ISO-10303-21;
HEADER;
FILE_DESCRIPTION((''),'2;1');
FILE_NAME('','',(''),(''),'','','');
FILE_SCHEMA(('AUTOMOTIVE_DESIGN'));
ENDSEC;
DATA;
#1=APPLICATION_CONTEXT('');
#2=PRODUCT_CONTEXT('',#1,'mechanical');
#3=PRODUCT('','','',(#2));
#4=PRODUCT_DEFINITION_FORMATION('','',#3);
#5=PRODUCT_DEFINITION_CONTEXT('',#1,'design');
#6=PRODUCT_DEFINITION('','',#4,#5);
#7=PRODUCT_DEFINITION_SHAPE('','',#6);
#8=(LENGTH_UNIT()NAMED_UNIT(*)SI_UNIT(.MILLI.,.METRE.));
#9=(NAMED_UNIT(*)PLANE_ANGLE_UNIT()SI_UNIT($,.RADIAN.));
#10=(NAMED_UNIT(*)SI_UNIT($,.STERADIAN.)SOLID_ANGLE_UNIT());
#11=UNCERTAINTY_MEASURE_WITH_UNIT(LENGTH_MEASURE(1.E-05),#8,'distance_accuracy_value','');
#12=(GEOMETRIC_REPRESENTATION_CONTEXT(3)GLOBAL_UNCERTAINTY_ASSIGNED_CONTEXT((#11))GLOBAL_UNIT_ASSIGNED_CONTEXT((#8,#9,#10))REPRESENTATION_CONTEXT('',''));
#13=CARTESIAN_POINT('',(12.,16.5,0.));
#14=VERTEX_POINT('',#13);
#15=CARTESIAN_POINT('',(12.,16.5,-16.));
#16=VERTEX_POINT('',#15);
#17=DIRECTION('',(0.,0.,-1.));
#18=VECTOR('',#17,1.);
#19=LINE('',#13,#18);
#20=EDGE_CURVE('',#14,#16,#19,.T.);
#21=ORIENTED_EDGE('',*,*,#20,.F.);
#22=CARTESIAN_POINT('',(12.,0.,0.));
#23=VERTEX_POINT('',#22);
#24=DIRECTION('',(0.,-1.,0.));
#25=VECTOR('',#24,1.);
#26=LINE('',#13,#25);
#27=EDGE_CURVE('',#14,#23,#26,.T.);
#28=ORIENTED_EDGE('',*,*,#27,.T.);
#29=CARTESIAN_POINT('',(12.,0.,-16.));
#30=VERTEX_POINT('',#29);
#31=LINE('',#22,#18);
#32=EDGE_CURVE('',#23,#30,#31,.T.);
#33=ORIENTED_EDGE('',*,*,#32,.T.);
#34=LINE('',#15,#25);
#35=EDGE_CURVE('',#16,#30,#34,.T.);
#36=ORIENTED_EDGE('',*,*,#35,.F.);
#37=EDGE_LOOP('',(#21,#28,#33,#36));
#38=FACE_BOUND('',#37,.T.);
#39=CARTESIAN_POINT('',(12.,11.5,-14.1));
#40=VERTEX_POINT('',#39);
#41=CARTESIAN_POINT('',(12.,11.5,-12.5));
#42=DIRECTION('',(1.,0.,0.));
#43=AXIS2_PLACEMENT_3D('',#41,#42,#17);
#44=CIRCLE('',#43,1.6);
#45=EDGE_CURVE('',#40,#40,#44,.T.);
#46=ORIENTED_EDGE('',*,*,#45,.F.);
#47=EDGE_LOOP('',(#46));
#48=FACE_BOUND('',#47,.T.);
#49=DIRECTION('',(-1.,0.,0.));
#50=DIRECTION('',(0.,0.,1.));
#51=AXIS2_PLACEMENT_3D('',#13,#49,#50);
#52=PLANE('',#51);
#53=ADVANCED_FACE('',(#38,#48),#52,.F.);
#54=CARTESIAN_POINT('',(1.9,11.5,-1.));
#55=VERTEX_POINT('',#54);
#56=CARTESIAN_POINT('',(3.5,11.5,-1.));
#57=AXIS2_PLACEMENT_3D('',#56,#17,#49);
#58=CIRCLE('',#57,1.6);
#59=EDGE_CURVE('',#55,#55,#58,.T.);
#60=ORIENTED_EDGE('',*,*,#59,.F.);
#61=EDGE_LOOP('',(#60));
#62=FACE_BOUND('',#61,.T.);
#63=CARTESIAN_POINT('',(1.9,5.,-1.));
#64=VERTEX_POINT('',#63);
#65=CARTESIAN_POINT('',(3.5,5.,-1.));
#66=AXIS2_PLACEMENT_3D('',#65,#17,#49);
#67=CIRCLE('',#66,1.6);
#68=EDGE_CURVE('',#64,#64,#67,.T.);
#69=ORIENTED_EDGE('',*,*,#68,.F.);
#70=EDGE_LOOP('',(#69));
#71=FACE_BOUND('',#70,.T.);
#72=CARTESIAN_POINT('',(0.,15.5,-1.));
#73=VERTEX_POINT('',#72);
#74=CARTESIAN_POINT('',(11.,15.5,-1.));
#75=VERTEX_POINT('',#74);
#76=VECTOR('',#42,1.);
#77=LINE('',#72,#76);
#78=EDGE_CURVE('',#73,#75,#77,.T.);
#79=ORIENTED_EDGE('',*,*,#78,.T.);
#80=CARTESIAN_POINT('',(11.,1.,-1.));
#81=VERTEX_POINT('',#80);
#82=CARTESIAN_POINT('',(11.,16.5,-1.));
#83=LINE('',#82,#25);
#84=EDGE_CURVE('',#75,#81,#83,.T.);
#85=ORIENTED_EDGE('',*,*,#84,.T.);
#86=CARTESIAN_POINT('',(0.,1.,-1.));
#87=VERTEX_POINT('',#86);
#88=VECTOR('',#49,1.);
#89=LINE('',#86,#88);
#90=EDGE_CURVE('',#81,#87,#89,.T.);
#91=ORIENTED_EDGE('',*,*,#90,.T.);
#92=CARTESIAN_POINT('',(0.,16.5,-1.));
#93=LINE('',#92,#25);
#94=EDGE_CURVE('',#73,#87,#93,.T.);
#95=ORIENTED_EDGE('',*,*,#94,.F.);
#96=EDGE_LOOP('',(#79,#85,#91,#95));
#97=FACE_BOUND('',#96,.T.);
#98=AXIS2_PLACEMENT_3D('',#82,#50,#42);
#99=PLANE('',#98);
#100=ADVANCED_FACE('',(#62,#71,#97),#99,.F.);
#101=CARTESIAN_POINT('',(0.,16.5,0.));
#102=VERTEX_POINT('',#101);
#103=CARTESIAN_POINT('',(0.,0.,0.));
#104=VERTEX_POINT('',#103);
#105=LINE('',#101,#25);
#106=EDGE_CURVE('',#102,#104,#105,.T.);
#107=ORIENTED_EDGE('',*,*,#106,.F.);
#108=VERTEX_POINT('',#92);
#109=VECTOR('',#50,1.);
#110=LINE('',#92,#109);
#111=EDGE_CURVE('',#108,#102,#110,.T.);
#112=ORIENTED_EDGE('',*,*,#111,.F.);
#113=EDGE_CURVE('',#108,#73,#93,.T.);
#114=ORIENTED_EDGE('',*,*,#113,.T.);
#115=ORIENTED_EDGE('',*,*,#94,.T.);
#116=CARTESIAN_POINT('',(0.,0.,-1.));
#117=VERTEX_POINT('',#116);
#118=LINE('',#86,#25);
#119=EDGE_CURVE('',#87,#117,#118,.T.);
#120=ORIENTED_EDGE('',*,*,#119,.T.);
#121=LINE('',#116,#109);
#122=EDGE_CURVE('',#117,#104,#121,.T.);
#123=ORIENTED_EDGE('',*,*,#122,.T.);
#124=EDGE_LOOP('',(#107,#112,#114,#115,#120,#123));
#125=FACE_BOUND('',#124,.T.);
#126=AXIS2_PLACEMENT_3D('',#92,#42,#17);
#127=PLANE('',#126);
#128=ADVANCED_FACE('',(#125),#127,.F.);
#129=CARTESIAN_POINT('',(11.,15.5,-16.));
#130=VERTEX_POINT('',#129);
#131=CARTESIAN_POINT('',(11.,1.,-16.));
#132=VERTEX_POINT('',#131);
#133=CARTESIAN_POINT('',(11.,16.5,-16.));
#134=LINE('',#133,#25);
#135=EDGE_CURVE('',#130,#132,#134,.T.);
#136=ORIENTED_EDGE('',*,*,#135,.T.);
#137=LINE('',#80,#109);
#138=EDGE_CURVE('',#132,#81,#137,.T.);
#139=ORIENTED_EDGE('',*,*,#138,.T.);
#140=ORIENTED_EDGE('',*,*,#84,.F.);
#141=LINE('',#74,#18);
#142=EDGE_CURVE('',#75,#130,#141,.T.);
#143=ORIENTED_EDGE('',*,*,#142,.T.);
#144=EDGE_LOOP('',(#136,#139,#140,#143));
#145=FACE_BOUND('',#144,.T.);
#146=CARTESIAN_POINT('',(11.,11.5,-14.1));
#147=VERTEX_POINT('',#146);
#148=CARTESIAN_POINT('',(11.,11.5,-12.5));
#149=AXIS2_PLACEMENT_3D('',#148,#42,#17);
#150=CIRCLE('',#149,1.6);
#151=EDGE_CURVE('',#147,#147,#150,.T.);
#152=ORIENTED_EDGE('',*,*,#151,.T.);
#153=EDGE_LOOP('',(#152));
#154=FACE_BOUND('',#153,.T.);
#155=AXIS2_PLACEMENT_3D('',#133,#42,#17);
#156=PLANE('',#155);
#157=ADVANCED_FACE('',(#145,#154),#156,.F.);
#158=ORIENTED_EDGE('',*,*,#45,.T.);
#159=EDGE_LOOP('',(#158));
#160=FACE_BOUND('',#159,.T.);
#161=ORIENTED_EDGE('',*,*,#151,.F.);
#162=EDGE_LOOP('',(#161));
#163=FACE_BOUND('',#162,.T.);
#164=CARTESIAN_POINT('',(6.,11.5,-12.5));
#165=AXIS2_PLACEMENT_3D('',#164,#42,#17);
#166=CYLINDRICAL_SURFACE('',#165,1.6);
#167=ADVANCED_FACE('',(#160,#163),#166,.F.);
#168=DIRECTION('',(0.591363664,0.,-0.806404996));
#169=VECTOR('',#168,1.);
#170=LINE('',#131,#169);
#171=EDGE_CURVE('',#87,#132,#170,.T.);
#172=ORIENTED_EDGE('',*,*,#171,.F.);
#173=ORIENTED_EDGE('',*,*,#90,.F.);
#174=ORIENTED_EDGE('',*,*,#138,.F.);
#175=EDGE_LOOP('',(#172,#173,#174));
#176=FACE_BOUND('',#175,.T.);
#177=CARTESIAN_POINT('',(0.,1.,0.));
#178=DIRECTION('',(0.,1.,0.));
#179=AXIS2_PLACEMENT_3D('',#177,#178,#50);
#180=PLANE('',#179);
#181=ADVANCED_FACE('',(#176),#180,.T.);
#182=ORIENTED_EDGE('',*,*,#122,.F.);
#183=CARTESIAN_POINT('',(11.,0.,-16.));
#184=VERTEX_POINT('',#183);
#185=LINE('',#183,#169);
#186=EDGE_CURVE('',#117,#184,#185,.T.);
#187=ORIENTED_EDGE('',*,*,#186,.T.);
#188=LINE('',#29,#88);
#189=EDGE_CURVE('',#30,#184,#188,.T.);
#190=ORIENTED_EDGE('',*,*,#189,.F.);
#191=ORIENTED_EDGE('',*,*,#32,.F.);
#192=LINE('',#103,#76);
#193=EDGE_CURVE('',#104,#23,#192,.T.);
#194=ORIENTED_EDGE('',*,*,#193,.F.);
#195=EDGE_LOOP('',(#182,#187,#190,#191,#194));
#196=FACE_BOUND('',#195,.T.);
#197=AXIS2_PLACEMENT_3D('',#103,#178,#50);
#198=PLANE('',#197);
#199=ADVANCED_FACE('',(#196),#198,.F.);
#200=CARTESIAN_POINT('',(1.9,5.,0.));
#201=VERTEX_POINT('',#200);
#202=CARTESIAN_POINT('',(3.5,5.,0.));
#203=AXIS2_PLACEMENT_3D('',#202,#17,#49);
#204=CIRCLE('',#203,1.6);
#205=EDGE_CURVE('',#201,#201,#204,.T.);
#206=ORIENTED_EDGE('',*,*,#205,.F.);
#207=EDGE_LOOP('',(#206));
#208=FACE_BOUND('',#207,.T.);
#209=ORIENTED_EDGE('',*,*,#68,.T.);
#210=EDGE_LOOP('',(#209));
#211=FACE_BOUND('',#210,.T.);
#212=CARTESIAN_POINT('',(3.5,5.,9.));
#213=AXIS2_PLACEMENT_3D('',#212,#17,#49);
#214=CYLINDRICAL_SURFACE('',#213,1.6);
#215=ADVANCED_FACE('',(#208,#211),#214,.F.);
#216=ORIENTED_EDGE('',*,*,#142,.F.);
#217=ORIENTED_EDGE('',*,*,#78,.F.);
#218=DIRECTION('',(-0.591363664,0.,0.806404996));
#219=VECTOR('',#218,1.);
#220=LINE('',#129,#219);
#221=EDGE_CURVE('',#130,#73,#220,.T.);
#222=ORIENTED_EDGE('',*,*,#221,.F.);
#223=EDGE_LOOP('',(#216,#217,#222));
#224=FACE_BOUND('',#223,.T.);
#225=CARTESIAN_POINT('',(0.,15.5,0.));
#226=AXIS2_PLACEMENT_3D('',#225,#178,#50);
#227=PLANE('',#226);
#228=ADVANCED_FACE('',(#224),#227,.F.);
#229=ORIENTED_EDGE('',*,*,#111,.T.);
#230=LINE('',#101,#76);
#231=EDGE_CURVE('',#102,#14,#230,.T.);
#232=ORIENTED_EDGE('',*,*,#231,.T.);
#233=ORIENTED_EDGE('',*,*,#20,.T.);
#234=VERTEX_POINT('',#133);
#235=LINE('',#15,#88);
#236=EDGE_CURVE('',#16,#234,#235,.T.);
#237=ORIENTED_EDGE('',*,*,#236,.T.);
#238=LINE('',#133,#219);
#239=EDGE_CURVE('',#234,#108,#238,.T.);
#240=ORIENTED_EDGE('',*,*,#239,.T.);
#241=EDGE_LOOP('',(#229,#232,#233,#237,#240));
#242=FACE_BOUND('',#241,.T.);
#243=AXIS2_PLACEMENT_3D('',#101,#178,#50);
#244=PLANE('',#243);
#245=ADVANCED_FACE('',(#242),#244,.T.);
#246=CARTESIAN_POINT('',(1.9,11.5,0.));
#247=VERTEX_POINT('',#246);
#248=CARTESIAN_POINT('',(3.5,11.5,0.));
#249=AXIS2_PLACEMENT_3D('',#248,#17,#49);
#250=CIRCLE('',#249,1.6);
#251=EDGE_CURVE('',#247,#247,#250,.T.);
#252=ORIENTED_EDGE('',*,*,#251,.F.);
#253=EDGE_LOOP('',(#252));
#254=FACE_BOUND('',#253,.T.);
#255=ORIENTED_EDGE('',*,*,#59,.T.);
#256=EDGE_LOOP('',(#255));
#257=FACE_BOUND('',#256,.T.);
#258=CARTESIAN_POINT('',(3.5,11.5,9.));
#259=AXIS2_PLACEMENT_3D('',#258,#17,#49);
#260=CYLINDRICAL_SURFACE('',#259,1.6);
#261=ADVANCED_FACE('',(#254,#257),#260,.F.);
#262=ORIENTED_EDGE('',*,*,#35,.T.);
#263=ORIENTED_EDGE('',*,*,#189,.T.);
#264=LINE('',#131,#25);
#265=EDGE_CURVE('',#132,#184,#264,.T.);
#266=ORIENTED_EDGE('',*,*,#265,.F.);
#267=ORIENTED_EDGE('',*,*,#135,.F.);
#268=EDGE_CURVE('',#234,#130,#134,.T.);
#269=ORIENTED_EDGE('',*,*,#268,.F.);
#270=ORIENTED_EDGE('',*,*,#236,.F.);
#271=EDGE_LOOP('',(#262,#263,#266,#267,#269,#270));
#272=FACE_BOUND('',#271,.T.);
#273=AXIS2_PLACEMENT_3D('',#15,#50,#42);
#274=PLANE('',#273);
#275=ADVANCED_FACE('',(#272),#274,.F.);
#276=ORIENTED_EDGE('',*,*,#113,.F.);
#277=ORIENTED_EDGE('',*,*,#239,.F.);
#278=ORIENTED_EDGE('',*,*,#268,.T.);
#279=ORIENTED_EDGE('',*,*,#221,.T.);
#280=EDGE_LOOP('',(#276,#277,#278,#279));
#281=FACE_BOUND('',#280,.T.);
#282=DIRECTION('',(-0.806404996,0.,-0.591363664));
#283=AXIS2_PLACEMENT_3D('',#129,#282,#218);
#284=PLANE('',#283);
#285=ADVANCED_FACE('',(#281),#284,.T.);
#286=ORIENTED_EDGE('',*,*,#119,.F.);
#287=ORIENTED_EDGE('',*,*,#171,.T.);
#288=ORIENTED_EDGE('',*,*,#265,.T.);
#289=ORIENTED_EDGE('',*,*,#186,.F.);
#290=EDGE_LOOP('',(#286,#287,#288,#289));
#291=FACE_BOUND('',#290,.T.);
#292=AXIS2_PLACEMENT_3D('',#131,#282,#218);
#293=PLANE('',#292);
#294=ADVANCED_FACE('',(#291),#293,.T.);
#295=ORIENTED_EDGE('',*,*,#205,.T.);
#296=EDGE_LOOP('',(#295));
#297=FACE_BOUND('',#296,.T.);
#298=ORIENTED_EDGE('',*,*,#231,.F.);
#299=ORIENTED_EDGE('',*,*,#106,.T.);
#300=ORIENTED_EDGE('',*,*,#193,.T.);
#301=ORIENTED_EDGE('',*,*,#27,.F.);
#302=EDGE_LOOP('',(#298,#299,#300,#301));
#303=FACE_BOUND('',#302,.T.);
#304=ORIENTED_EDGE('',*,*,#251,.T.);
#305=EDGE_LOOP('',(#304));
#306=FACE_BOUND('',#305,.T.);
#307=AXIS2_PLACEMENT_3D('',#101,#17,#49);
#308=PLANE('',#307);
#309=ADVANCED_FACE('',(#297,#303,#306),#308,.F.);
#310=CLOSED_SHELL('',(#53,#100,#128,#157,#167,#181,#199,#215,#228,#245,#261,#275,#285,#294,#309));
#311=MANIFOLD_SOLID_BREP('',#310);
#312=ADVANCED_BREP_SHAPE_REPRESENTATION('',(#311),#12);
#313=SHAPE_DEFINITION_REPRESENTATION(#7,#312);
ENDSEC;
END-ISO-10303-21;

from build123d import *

# Parameters (mm, degrees)
EXTRUDE_1_DEPTH     = 16.5
SKETCH_2_R          = 1.6
CUT_EXTRUDE_1_DEPTH = 6
SKETCH_3_R          = 1.6
CUT_EXTRUDE_2_DEPTH = 10
EXTRUDE_2_DEPTH     = 1
EXTRUDE_3_DEPTH     = 1


with BuildPart() as part:
    # 草图1 → 凸台-拉伸1 (new body)
    with BuildSketch(Plane(origin=(0, 0, 0), x_dir=(1, 0, 0), z_dir=(0, 1, 0))):
        Polygon((0, 0), (12, 0), (12, 16), (11, 16), (11, 1), (0, 1), align=None)
    extrude(amount=EXTRUDE_1_DEPTH)

    # 草图2 → 切除-拉伸1 (cut)
    with BuildSketch(Plane(origin=(12, 0, 0), x_dir=(0, 0, -1), z_dir=(1, 0, 0))):
        with Locations((12.5, 11.5)):
            Circle(SKETCH_2_R)
    extrude(amount=-CUT_EXTRUDE_1_DEPTH, mode=Mode.SUBTRACT)

    # 草图3 → 切除-拉伸2 (cut)
    with BuildSketch(Plane(origin=(0, 0, -1), x_dir=(-1, 0, 0), z_dir=(0, 0, -1))):
        with Locations((-3.5, 5)):
            Circle(SKETCH_3_R)
        with Locations((-3.5, 11.5)):
            Circle(SKETCH_3_R)
    extrude(amount=-CUT_EXTRUDE_2_DEPTH, mode=Mode.SUBTRACT)

    # 草图4 → 凸台-拉伸2 (add)
    with BuildSketch(Plane.XZ):
        Polygon((0, -1), (11, -1), (11, -16), align=None)
    extrude(amount=-EXTRUDE_2_DEPTH)

    # 草图5 → 凸台-拉伸3 (add)
    with BuildSketch(Plane(origin=(0, 16.5, 0), x_dir=(1, 0, 0), z_dir=(0, 1, 0))):
        Polygon((0, 1), (11, 1), (11, 16), align=None)
    extrude(amount=-EXTRUDE_3_DEPTH)


solid = part.part
